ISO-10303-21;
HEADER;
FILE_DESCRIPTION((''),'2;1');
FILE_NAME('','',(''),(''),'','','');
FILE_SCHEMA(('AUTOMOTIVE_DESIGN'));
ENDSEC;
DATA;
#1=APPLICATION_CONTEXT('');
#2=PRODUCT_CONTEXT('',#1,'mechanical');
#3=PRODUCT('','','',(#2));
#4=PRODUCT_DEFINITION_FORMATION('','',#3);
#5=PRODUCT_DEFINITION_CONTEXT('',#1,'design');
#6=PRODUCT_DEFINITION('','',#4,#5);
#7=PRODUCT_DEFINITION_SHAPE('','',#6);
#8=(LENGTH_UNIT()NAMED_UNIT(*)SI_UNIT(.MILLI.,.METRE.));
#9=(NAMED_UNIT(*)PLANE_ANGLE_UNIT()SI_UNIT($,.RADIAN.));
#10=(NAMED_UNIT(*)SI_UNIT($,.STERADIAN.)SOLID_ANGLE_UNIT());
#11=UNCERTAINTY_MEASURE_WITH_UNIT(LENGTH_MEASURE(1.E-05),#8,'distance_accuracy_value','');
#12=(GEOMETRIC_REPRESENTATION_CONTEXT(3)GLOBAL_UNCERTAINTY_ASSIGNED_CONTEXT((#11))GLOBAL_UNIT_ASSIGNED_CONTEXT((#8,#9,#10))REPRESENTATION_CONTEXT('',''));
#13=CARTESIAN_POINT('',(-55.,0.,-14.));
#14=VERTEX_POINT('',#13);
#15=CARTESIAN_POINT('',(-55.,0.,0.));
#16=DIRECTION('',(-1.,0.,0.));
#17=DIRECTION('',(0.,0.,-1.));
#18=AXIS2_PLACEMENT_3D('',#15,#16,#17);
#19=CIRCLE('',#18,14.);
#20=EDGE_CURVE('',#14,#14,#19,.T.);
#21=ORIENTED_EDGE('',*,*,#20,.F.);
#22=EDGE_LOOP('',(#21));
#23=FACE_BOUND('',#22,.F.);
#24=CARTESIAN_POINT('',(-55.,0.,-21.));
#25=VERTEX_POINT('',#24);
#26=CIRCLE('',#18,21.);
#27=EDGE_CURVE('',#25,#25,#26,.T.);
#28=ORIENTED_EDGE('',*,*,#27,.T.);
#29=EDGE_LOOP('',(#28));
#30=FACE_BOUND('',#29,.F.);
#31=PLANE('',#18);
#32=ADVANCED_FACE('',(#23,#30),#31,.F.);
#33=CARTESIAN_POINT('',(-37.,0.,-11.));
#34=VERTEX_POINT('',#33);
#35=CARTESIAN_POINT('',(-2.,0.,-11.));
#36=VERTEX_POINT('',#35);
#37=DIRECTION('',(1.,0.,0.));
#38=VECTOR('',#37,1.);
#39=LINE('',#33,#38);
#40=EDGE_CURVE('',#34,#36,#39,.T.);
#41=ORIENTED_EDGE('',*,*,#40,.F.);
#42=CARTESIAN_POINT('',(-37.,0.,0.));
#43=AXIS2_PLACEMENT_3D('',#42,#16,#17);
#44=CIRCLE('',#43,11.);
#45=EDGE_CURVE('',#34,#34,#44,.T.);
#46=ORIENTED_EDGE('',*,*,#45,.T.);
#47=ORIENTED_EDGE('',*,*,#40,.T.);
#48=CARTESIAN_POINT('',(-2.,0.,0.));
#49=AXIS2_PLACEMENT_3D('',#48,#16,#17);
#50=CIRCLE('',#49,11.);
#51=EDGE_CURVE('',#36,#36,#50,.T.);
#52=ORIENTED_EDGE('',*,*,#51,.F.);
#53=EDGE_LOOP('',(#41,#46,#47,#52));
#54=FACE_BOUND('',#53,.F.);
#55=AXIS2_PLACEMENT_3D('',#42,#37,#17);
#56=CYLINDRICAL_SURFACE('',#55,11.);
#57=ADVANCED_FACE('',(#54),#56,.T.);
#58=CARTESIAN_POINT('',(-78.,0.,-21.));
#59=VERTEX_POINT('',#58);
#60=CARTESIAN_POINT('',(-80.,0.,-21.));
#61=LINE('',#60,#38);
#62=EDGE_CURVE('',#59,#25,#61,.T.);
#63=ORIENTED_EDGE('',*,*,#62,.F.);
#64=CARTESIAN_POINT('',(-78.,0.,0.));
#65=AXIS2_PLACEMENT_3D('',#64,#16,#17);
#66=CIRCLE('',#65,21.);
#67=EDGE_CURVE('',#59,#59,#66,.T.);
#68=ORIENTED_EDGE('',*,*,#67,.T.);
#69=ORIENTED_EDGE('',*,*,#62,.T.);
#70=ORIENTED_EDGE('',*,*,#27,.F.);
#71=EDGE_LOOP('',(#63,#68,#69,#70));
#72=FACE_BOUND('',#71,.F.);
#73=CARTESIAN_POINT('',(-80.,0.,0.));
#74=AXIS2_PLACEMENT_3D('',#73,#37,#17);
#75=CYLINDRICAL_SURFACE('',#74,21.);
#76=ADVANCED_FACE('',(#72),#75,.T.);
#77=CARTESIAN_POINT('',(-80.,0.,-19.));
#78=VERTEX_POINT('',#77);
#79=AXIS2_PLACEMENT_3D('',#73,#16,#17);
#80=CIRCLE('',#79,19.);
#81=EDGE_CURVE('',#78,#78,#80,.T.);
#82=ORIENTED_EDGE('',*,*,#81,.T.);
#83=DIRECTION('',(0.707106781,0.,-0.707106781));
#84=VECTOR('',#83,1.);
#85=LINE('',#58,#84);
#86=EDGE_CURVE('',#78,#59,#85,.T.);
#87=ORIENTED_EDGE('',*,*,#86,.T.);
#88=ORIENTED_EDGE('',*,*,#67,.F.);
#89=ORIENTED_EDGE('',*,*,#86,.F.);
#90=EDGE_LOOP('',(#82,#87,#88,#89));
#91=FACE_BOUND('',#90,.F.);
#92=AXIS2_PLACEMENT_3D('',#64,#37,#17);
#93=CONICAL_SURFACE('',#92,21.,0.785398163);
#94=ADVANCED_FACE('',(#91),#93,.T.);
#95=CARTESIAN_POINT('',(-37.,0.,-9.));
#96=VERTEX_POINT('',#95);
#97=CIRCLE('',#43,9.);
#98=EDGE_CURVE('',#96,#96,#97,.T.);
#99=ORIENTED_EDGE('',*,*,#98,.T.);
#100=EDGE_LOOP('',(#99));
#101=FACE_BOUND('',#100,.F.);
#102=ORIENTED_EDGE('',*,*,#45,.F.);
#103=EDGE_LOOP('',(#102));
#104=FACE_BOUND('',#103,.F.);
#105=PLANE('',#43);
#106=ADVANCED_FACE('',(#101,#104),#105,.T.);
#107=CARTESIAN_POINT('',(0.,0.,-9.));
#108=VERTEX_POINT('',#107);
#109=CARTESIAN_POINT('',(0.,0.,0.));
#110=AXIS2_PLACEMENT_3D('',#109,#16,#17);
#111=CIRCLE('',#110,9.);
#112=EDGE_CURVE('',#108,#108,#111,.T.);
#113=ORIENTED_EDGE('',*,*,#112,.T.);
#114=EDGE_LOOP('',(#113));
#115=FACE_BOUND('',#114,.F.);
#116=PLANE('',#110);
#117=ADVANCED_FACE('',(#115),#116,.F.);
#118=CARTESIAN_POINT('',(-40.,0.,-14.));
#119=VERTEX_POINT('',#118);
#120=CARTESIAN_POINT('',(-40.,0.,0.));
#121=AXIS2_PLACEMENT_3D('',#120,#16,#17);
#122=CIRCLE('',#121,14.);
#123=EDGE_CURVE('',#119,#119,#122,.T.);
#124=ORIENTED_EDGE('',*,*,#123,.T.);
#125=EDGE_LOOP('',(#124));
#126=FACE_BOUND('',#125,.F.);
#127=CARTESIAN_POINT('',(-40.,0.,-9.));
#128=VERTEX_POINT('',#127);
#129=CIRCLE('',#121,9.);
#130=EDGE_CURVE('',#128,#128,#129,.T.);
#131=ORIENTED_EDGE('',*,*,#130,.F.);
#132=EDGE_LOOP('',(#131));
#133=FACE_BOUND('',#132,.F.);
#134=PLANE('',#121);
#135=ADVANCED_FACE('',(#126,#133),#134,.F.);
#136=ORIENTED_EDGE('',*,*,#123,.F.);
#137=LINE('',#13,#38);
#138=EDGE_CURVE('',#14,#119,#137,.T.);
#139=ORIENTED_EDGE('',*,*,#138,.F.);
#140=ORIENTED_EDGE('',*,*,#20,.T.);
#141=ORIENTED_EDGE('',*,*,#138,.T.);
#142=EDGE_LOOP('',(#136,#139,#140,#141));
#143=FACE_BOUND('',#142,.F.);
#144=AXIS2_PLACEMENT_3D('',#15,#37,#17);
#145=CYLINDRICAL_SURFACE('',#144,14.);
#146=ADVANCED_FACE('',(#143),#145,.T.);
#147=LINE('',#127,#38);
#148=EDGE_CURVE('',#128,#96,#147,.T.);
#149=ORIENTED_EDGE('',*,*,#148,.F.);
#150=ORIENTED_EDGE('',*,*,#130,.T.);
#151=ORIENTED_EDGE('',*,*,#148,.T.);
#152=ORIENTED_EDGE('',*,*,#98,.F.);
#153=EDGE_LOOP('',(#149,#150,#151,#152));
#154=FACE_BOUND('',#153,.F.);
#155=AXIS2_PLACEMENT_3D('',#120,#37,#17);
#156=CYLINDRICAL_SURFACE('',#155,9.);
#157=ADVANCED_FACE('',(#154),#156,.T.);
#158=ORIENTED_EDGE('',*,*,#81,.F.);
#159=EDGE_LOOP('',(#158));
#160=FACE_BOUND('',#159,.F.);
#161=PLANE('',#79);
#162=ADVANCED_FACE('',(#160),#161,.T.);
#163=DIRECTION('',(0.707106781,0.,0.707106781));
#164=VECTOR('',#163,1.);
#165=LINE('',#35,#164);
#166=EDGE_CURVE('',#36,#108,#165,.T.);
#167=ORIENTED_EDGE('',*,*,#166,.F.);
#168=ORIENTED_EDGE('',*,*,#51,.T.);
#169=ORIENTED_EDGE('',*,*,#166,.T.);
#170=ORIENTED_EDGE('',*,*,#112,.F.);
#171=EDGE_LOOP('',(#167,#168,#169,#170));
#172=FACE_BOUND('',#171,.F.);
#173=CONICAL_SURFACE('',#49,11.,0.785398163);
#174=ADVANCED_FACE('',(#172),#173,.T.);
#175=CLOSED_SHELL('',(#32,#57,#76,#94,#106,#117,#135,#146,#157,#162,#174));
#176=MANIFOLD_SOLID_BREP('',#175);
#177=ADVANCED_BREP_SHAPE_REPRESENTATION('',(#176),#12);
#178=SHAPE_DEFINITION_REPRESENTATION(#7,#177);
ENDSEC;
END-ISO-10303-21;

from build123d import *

# Parameters (mm, degrees)
F2_SIZE2 = 2
F2_SIZE  = 2


with BuildPart() as f1:
    # F0 (on Front) → F1 (revolve)
    with BuildSketch(Plane.XZ):
        Polygon((-80, 0), (-80, -21), (-55, -21), (-55, -14), (-40, -14), (-40, -9), (-37, -9), (-37, -11), (0, -11), (0, 0), align=None)
    revolve(axis=Axis((-40, 0, 0), (-1, 0, 0)))

    # F2
    f2_edges = [f1.edges().sort_by_distance(p)[0] for p in [
        (0, 0, 11),
        (-80, 0, 21),
    ]]
    chamfer(f2_edges, length=F2_SIZE, length2=F2_SIZE2)


solid = f1.part
